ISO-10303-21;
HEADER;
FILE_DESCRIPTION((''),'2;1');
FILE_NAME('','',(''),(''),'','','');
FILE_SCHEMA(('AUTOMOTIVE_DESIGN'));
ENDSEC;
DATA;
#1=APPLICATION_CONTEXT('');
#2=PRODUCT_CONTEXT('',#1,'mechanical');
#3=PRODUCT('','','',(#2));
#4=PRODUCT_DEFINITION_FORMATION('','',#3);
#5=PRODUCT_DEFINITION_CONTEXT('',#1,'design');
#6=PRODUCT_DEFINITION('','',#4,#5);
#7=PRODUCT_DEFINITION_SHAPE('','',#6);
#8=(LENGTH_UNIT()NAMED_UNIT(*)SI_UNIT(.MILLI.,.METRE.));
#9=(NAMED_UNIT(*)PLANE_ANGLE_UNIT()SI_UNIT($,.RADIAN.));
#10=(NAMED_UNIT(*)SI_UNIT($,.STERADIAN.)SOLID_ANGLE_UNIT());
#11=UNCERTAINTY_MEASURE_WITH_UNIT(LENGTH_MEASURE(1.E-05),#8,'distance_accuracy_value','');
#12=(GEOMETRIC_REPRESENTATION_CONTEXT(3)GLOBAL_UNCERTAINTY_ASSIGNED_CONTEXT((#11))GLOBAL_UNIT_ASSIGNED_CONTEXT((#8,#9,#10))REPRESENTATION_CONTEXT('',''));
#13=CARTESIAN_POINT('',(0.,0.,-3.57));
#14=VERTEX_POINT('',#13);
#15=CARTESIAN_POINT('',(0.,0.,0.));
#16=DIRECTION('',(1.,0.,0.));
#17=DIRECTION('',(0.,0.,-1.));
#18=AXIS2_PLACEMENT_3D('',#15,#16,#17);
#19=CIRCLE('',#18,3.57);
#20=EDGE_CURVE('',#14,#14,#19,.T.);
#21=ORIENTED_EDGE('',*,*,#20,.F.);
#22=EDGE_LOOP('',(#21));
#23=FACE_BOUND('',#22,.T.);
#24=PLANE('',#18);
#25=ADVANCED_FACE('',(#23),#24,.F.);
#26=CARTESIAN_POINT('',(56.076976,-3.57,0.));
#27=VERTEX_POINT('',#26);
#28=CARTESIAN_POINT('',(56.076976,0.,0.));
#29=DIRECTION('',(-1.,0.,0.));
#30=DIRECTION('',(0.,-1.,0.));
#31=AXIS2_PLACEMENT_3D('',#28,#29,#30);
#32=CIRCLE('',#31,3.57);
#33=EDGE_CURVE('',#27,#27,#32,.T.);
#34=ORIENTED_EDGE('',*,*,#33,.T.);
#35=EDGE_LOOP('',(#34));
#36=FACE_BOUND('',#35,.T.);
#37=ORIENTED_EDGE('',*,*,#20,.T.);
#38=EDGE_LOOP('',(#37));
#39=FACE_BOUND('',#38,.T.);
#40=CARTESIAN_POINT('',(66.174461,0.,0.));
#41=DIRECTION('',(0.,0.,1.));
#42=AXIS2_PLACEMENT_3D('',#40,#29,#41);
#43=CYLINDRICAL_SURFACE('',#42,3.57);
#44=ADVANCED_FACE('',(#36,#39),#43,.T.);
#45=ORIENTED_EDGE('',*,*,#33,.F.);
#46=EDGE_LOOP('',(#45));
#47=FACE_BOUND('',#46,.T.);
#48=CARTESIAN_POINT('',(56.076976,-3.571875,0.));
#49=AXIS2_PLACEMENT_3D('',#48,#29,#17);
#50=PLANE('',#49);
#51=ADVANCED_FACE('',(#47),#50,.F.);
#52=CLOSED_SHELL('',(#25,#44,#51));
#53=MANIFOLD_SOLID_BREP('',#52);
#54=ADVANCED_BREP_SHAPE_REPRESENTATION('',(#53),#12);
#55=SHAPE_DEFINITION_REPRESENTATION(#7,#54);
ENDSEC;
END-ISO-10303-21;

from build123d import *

# Parameters (mm, degrees)
SKETCH1_R           = 3.57
BOSS_EXTRUDE1_DEPTH = 56.076975759


with BuildPart() as part:
    # Sketch1 → Boss-Extrude1 (new body)
    with BuildSketch(Plane(origin=(0, 0, 0), x_dir=(0, 0, -1), z_dir=(1, 0, 0))):
        with Locations(Location((0, 0, 0), (0, 0, 270))):
            Circle(SKETCH1_R)
    extrude(amount=BOSS_EXTRUDE1_DEPTH)


solid = part.part
